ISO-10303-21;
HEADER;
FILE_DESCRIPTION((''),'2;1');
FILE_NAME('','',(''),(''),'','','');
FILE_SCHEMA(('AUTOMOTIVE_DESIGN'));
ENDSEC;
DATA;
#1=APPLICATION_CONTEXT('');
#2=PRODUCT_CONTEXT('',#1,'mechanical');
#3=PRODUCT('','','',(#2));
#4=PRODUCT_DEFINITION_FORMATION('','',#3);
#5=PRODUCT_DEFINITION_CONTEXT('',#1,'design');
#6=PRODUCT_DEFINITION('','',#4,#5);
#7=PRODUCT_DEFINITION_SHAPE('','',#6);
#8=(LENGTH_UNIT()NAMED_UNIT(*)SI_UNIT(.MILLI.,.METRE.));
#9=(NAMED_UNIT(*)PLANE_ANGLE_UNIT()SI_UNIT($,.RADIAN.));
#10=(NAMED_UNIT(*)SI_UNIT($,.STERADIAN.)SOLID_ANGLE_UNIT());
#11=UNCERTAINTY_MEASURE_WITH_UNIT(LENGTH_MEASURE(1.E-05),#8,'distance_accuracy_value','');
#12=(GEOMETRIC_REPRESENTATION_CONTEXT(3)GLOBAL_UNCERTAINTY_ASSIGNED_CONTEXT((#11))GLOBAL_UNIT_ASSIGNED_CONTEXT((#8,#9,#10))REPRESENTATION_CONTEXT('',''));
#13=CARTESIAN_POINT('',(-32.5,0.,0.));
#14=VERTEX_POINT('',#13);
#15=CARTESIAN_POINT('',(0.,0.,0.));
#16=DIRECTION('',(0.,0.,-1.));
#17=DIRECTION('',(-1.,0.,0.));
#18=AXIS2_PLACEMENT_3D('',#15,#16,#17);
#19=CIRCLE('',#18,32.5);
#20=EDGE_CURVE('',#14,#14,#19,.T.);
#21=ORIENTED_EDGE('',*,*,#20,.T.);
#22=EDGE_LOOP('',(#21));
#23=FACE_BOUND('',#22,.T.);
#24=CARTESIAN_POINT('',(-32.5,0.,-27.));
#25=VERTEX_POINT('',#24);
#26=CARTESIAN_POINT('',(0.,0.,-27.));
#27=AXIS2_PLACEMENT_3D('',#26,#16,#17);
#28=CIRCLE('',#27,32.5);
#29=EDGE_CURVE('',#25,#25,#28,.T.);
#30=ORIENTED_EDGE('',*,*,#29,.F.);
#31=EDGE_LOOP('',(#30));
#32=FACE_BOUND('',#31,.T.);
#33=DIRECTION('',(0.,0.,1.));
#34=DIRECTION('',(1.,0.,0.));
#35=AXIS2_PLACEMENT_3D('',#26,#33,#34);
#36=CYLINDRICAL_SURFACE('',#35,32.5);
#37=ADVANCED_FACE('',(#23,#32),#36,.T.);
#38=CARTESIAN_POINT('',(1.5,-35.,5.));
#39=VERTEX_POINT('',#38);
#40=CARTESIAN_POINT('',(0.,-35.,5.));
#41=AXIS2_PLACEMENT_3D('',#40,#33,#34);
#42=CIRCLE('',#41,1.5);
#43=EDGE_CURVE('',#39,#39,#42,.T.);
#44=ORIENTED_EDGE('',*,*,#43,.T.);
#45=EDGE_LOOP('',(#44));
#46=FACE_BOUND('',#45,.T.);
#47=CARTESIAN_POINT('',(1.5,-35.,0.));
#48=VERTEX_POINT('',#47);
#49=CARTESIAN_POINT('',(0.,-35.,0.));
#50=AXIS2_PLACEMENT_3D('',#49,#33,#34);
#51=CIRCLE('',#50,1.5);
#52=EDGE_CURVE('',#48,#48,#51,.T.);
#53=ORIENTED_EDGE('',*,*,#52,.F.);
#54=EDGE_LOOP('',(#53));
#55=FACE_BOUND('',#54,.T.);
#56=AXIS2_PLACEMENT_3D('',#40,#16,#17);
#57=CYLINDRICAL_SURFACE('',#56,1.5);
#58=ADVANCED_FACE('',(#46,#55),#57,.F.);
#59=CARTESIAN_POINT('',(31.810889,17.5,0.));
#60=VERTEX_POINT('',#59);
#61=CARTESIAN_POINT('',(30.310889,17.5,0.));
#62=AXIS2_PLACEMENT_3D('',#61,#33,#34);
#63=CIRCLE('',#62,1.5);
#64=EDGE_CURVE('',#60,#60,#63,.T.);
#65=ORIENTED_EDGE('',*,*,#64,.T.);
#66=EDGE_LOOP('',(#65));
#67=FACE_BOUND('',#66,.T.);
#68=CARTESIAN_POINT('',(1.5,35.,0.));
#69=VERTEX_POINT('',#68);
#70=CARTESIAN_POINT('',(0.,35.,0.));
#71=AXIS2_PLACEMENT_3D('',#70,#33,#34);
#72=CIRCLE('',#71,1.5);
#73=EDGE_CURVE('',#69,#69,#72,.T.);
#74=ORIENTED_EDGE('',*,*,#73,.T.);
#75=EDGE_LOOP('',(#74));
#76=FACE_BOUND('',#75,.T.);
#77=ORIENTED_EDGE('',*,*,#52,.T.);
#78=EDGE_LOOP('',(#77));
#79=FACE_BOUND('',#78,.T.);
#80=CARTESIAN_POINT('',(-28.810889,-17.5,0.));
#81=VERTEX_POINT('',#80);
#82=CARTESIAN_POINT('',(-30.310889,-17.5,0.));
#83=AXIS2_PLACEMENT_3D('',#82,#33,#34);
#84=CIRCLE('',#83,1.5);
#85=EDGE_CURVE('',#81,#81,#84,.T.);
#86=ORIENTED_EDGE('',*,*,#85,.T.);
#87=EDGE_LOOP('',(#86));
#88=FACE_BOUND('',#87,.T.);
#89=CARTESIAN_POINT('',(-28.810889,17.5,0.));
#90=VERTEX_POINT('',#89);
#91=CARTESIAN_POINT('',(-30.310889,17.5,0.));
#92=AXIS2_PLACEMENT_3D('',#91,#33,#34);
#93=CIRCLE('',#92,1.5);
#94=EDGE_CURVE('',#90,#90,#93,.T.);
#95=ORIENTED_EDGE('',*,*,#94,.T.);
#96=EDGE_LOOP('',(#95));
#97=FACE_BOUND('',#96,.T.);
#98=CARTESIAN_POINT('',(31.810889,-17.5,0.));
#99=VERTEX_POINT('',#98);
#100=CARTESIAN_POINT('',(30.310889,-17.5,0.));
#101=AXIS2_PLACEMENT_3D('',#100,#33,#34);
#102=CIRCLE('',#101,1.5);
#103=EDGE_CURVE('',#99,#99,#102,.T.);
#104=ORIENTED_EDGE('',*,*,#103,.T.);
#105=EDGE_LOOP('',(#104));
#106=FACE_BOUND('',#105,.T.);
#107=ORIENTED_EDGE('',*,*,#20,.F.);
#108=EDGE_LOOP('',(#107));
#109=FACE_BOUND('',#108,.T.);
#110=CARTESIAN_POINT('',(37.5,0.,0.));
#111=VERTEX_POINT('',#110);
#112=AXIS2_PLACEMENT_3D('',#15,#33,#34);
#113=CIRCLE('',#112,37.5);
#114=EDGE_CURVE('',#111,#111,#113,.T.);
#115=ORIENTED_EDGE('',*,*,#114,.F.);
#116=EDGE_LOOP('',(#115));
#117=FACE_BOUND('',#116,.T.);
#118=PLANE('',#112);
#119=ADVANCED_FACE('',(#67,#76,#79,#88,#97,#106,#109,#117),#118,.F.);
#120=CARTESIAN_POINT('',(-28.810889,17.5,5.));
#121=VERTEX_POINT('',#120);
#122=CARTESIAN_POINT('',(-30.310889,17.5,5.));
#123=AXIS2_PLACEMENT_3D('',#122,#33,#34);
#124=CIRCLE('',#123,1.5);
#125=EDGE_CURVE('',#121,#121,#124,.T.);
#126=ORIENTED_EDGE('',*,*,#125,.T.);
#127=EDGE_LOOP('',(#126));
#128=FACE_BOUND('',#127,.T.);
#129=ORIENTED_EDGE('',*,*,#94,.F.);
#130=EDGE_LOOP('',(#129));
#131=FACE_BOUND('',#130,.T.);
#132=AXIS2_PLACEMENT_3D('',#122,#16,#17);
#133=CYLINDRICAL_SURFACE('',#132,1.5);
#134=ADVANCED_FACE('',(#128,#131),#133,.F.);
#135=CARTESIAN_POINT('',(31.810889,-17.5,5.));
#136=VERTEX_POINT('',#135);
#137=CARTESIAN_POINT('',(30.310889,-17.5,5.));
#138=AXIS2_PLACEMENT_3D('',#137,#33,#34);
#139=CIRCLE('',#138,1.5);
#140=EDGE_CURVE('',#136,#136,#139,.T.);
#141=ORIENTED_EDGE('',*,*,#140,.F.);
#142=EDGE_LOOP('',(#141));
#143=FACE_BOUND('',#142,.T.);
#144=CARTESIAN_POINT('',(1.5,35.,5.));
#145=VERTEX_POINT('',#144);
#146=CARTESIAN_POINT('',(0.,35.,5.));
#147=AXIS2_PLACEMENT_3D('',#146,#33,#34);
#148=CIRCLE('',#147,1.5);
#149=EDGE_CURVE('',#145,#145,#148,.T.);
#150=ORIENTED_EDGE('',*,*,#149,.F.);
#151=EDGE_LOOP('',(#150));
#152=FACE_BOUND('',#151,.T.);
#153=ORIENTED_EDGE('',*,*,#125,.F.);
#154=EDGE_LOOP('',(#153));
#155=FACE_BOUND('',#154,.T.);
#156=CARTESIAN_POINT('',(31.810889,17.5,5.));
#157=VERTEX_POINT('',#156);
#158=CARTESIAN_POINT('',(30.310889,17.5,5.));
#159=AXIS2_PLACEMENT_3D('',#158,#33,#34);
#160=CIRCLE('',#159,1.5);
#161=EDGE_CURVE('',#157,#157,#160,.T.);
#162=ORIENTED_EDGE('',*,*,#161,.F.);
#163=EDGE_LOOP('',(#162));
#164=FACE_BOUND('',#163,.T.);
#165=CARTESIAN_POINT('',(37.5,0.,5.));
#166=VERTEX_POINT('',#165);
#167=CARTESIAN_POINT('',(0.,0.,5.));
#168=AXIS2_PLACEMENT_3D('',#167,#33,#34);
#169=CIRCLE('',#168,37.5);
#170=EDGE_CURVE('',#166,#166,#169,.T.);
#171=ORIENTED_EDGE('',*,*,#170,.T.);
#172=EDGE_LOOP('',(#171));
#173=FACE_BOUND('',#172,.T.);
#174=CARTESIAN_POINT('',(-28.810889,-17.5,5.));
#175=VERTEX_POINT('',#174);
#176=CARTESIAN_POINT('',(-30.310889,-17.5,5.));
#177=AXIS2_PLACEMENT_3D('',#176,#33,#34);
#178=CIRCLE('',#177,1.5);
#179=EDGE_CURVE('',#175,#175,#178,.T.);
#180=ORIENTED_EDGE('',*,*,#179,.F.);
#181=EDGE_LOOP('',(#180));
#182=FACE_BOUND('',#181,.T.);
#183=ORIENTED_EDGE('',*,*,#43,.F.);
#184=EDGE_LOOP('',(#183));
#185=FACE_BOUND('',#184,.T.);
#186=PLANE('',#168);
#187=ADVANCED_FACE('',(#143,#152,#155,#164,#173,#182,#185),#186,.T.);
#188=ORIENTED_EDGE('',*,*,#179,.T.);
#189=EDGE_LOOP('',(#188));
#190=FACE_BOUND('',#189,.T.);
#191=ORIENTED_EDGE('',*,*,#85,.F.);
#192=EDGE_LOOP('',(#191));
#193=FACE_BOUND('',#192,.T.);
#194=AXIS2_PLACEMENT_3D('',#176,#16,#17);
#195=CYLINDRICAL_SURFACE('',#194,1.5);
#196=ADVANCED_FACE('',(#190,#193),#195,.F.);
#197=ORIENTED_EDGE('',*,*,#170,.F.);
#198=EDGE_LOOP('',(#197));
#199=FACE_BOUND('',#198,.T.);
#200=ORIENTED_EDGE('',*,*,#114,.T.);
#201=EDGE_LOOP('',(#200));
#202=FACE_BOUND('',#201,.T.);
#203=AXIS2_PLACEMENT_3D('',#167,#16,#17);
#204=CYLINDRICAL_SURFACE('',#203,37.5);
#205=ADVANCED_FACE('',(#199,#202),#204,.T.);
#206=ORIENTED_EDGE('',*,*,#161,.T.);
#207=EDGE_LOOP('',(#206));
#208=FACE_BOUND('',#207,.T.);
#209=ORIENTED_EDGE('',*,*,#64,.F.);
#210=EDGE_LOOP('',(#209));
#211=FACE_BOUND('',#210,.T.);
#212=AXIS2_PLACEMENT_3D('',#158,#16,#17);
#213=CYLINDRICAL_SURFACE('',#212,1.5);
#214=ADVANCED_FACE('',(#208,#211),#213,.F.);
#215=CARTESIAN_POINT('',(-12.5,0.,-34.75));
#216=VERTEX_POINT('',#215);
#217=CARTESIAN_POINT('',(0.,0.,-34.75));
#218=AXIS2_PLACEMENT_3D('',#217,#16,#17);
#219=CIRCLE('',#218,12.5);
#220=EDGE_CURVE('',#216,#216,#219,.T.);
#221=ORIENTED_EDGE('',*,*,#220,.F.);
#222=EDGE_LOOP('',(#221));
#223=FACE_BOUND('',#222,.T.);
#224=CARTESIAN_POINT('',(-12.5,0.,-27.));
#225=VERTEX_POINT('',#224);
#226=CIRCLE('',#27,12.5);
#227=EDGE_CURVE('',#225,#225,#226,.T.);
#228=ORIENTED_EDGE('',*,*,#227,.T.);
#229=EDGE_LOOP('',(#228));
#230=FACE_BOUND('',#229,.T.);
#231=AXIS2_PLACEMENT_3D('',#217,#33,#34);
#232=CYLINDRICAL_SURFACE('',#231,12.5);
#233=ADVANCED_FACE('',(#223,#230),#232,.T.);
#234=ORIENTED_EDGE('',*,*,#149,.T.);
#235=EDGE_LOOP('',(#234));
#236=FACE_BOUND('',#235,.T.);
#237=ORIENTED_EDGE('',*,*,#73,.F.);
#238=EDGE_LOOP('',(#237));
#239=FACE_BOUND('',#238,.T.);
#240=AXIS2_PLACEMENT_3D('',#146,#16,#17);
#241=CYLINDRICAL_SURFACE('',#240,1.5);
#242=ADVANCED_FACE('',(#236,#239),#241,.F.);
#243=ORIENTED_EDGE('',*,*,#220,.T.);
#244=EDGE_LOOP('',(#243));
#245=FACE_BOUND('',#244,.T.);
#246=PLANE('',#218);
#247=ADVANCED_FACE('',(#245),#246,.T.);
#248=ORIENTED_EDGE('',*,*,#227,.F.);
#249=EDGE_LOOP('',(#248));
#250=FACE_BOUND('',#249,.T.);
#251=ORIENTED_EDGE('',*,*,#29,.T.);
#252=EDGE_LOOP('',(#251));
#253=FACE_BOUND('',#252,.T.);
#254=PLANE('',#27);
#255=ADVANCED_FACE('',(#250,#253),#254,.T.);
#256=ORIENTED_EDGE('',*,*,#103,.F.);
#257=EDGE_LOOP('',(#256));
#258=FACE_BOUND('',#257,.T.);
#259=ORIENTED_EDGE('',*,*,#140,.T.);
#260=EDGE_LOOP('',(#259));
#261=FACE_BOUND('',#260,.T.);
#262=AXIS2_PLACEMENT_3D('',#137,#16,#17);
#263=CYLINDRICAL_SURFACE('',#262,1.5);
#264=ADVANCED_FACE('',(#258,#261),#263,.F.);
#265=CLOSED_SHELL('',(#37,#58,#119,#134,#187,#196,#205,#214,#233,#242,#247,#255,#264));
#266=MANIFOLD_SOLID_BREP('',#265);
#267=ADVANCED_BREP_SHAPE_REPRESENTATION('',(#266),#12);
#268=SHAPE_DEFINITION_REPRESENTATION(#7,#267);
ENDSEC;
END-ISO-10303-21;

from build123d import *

# Parameters (mm, degrees)
SKETCH1_R           = 37.5
SKETCH1_R_2         = 1.5
BOSS_EXTRUDE1_DEPTH = 5
SKETCH2_R           = 32.5
BOSS_EXTRUDE2_DEPTH = 27
SKETCH3_R           = 12.5
BOSS_EXTRUDE3_DEPTH = 7.75


with BuildPart() as part:
    # Sketch1 → Boss-Extrude1 (new body)
    with BuildSketch(Plane.XY):
        Circle(SKETCH1_R)
        with Locations((0, 35)):
            Circle(SKETCH1_R_2, mode=Mode.SUBTRACT)
        with Locations((30.310889132, 17.5)):
            Circle(SKETCH1_R_2, mode=Mode.SUBTRACT)
        with Locations((30.310889132, -17.5)):
            Circle(SKETCH1_R_2, mode=Mode.SUBTRACT)
        with Locations((0, -35)):
            Circle(SKETCH1_R_2, mode=Mode.SUBTRACT)
        with Locations((-30.310889132, -17.5)):
            Circle(SKETCH1_R_2, mode=Mode.SUBTRACT)
        with Locations((-30.310889132, 17.5)):
            Circle(SKETCH1_R_2, mode=Mode.SUBTRACT)
    extrude(amount=BOSS_EXTRUDE1_DEPTH)

    # Sketch2 → Boss-Extrude2 (add)
    with BuildSketch(Plane(origin=(0, 0, 0), x_dir=(-1, 0, 0), z_dir=(0, 0, -1))):
        Circle(SKETCH2_R)
    extrude(amount=BOSS_EXTRUDE2_DEPTH)

    # Sketch3 → Boss-Extrude3 (add)
    with BuildSketch(Plane(origin=(0, 0, -27), x_dir=(-1, 0, 0), z_dir=(0, 0, -1))):
        Circle(SKETCH3_R)
    extrude(amount=BOSS_EXTRUDE3_DEPTH)


solid = part.part
